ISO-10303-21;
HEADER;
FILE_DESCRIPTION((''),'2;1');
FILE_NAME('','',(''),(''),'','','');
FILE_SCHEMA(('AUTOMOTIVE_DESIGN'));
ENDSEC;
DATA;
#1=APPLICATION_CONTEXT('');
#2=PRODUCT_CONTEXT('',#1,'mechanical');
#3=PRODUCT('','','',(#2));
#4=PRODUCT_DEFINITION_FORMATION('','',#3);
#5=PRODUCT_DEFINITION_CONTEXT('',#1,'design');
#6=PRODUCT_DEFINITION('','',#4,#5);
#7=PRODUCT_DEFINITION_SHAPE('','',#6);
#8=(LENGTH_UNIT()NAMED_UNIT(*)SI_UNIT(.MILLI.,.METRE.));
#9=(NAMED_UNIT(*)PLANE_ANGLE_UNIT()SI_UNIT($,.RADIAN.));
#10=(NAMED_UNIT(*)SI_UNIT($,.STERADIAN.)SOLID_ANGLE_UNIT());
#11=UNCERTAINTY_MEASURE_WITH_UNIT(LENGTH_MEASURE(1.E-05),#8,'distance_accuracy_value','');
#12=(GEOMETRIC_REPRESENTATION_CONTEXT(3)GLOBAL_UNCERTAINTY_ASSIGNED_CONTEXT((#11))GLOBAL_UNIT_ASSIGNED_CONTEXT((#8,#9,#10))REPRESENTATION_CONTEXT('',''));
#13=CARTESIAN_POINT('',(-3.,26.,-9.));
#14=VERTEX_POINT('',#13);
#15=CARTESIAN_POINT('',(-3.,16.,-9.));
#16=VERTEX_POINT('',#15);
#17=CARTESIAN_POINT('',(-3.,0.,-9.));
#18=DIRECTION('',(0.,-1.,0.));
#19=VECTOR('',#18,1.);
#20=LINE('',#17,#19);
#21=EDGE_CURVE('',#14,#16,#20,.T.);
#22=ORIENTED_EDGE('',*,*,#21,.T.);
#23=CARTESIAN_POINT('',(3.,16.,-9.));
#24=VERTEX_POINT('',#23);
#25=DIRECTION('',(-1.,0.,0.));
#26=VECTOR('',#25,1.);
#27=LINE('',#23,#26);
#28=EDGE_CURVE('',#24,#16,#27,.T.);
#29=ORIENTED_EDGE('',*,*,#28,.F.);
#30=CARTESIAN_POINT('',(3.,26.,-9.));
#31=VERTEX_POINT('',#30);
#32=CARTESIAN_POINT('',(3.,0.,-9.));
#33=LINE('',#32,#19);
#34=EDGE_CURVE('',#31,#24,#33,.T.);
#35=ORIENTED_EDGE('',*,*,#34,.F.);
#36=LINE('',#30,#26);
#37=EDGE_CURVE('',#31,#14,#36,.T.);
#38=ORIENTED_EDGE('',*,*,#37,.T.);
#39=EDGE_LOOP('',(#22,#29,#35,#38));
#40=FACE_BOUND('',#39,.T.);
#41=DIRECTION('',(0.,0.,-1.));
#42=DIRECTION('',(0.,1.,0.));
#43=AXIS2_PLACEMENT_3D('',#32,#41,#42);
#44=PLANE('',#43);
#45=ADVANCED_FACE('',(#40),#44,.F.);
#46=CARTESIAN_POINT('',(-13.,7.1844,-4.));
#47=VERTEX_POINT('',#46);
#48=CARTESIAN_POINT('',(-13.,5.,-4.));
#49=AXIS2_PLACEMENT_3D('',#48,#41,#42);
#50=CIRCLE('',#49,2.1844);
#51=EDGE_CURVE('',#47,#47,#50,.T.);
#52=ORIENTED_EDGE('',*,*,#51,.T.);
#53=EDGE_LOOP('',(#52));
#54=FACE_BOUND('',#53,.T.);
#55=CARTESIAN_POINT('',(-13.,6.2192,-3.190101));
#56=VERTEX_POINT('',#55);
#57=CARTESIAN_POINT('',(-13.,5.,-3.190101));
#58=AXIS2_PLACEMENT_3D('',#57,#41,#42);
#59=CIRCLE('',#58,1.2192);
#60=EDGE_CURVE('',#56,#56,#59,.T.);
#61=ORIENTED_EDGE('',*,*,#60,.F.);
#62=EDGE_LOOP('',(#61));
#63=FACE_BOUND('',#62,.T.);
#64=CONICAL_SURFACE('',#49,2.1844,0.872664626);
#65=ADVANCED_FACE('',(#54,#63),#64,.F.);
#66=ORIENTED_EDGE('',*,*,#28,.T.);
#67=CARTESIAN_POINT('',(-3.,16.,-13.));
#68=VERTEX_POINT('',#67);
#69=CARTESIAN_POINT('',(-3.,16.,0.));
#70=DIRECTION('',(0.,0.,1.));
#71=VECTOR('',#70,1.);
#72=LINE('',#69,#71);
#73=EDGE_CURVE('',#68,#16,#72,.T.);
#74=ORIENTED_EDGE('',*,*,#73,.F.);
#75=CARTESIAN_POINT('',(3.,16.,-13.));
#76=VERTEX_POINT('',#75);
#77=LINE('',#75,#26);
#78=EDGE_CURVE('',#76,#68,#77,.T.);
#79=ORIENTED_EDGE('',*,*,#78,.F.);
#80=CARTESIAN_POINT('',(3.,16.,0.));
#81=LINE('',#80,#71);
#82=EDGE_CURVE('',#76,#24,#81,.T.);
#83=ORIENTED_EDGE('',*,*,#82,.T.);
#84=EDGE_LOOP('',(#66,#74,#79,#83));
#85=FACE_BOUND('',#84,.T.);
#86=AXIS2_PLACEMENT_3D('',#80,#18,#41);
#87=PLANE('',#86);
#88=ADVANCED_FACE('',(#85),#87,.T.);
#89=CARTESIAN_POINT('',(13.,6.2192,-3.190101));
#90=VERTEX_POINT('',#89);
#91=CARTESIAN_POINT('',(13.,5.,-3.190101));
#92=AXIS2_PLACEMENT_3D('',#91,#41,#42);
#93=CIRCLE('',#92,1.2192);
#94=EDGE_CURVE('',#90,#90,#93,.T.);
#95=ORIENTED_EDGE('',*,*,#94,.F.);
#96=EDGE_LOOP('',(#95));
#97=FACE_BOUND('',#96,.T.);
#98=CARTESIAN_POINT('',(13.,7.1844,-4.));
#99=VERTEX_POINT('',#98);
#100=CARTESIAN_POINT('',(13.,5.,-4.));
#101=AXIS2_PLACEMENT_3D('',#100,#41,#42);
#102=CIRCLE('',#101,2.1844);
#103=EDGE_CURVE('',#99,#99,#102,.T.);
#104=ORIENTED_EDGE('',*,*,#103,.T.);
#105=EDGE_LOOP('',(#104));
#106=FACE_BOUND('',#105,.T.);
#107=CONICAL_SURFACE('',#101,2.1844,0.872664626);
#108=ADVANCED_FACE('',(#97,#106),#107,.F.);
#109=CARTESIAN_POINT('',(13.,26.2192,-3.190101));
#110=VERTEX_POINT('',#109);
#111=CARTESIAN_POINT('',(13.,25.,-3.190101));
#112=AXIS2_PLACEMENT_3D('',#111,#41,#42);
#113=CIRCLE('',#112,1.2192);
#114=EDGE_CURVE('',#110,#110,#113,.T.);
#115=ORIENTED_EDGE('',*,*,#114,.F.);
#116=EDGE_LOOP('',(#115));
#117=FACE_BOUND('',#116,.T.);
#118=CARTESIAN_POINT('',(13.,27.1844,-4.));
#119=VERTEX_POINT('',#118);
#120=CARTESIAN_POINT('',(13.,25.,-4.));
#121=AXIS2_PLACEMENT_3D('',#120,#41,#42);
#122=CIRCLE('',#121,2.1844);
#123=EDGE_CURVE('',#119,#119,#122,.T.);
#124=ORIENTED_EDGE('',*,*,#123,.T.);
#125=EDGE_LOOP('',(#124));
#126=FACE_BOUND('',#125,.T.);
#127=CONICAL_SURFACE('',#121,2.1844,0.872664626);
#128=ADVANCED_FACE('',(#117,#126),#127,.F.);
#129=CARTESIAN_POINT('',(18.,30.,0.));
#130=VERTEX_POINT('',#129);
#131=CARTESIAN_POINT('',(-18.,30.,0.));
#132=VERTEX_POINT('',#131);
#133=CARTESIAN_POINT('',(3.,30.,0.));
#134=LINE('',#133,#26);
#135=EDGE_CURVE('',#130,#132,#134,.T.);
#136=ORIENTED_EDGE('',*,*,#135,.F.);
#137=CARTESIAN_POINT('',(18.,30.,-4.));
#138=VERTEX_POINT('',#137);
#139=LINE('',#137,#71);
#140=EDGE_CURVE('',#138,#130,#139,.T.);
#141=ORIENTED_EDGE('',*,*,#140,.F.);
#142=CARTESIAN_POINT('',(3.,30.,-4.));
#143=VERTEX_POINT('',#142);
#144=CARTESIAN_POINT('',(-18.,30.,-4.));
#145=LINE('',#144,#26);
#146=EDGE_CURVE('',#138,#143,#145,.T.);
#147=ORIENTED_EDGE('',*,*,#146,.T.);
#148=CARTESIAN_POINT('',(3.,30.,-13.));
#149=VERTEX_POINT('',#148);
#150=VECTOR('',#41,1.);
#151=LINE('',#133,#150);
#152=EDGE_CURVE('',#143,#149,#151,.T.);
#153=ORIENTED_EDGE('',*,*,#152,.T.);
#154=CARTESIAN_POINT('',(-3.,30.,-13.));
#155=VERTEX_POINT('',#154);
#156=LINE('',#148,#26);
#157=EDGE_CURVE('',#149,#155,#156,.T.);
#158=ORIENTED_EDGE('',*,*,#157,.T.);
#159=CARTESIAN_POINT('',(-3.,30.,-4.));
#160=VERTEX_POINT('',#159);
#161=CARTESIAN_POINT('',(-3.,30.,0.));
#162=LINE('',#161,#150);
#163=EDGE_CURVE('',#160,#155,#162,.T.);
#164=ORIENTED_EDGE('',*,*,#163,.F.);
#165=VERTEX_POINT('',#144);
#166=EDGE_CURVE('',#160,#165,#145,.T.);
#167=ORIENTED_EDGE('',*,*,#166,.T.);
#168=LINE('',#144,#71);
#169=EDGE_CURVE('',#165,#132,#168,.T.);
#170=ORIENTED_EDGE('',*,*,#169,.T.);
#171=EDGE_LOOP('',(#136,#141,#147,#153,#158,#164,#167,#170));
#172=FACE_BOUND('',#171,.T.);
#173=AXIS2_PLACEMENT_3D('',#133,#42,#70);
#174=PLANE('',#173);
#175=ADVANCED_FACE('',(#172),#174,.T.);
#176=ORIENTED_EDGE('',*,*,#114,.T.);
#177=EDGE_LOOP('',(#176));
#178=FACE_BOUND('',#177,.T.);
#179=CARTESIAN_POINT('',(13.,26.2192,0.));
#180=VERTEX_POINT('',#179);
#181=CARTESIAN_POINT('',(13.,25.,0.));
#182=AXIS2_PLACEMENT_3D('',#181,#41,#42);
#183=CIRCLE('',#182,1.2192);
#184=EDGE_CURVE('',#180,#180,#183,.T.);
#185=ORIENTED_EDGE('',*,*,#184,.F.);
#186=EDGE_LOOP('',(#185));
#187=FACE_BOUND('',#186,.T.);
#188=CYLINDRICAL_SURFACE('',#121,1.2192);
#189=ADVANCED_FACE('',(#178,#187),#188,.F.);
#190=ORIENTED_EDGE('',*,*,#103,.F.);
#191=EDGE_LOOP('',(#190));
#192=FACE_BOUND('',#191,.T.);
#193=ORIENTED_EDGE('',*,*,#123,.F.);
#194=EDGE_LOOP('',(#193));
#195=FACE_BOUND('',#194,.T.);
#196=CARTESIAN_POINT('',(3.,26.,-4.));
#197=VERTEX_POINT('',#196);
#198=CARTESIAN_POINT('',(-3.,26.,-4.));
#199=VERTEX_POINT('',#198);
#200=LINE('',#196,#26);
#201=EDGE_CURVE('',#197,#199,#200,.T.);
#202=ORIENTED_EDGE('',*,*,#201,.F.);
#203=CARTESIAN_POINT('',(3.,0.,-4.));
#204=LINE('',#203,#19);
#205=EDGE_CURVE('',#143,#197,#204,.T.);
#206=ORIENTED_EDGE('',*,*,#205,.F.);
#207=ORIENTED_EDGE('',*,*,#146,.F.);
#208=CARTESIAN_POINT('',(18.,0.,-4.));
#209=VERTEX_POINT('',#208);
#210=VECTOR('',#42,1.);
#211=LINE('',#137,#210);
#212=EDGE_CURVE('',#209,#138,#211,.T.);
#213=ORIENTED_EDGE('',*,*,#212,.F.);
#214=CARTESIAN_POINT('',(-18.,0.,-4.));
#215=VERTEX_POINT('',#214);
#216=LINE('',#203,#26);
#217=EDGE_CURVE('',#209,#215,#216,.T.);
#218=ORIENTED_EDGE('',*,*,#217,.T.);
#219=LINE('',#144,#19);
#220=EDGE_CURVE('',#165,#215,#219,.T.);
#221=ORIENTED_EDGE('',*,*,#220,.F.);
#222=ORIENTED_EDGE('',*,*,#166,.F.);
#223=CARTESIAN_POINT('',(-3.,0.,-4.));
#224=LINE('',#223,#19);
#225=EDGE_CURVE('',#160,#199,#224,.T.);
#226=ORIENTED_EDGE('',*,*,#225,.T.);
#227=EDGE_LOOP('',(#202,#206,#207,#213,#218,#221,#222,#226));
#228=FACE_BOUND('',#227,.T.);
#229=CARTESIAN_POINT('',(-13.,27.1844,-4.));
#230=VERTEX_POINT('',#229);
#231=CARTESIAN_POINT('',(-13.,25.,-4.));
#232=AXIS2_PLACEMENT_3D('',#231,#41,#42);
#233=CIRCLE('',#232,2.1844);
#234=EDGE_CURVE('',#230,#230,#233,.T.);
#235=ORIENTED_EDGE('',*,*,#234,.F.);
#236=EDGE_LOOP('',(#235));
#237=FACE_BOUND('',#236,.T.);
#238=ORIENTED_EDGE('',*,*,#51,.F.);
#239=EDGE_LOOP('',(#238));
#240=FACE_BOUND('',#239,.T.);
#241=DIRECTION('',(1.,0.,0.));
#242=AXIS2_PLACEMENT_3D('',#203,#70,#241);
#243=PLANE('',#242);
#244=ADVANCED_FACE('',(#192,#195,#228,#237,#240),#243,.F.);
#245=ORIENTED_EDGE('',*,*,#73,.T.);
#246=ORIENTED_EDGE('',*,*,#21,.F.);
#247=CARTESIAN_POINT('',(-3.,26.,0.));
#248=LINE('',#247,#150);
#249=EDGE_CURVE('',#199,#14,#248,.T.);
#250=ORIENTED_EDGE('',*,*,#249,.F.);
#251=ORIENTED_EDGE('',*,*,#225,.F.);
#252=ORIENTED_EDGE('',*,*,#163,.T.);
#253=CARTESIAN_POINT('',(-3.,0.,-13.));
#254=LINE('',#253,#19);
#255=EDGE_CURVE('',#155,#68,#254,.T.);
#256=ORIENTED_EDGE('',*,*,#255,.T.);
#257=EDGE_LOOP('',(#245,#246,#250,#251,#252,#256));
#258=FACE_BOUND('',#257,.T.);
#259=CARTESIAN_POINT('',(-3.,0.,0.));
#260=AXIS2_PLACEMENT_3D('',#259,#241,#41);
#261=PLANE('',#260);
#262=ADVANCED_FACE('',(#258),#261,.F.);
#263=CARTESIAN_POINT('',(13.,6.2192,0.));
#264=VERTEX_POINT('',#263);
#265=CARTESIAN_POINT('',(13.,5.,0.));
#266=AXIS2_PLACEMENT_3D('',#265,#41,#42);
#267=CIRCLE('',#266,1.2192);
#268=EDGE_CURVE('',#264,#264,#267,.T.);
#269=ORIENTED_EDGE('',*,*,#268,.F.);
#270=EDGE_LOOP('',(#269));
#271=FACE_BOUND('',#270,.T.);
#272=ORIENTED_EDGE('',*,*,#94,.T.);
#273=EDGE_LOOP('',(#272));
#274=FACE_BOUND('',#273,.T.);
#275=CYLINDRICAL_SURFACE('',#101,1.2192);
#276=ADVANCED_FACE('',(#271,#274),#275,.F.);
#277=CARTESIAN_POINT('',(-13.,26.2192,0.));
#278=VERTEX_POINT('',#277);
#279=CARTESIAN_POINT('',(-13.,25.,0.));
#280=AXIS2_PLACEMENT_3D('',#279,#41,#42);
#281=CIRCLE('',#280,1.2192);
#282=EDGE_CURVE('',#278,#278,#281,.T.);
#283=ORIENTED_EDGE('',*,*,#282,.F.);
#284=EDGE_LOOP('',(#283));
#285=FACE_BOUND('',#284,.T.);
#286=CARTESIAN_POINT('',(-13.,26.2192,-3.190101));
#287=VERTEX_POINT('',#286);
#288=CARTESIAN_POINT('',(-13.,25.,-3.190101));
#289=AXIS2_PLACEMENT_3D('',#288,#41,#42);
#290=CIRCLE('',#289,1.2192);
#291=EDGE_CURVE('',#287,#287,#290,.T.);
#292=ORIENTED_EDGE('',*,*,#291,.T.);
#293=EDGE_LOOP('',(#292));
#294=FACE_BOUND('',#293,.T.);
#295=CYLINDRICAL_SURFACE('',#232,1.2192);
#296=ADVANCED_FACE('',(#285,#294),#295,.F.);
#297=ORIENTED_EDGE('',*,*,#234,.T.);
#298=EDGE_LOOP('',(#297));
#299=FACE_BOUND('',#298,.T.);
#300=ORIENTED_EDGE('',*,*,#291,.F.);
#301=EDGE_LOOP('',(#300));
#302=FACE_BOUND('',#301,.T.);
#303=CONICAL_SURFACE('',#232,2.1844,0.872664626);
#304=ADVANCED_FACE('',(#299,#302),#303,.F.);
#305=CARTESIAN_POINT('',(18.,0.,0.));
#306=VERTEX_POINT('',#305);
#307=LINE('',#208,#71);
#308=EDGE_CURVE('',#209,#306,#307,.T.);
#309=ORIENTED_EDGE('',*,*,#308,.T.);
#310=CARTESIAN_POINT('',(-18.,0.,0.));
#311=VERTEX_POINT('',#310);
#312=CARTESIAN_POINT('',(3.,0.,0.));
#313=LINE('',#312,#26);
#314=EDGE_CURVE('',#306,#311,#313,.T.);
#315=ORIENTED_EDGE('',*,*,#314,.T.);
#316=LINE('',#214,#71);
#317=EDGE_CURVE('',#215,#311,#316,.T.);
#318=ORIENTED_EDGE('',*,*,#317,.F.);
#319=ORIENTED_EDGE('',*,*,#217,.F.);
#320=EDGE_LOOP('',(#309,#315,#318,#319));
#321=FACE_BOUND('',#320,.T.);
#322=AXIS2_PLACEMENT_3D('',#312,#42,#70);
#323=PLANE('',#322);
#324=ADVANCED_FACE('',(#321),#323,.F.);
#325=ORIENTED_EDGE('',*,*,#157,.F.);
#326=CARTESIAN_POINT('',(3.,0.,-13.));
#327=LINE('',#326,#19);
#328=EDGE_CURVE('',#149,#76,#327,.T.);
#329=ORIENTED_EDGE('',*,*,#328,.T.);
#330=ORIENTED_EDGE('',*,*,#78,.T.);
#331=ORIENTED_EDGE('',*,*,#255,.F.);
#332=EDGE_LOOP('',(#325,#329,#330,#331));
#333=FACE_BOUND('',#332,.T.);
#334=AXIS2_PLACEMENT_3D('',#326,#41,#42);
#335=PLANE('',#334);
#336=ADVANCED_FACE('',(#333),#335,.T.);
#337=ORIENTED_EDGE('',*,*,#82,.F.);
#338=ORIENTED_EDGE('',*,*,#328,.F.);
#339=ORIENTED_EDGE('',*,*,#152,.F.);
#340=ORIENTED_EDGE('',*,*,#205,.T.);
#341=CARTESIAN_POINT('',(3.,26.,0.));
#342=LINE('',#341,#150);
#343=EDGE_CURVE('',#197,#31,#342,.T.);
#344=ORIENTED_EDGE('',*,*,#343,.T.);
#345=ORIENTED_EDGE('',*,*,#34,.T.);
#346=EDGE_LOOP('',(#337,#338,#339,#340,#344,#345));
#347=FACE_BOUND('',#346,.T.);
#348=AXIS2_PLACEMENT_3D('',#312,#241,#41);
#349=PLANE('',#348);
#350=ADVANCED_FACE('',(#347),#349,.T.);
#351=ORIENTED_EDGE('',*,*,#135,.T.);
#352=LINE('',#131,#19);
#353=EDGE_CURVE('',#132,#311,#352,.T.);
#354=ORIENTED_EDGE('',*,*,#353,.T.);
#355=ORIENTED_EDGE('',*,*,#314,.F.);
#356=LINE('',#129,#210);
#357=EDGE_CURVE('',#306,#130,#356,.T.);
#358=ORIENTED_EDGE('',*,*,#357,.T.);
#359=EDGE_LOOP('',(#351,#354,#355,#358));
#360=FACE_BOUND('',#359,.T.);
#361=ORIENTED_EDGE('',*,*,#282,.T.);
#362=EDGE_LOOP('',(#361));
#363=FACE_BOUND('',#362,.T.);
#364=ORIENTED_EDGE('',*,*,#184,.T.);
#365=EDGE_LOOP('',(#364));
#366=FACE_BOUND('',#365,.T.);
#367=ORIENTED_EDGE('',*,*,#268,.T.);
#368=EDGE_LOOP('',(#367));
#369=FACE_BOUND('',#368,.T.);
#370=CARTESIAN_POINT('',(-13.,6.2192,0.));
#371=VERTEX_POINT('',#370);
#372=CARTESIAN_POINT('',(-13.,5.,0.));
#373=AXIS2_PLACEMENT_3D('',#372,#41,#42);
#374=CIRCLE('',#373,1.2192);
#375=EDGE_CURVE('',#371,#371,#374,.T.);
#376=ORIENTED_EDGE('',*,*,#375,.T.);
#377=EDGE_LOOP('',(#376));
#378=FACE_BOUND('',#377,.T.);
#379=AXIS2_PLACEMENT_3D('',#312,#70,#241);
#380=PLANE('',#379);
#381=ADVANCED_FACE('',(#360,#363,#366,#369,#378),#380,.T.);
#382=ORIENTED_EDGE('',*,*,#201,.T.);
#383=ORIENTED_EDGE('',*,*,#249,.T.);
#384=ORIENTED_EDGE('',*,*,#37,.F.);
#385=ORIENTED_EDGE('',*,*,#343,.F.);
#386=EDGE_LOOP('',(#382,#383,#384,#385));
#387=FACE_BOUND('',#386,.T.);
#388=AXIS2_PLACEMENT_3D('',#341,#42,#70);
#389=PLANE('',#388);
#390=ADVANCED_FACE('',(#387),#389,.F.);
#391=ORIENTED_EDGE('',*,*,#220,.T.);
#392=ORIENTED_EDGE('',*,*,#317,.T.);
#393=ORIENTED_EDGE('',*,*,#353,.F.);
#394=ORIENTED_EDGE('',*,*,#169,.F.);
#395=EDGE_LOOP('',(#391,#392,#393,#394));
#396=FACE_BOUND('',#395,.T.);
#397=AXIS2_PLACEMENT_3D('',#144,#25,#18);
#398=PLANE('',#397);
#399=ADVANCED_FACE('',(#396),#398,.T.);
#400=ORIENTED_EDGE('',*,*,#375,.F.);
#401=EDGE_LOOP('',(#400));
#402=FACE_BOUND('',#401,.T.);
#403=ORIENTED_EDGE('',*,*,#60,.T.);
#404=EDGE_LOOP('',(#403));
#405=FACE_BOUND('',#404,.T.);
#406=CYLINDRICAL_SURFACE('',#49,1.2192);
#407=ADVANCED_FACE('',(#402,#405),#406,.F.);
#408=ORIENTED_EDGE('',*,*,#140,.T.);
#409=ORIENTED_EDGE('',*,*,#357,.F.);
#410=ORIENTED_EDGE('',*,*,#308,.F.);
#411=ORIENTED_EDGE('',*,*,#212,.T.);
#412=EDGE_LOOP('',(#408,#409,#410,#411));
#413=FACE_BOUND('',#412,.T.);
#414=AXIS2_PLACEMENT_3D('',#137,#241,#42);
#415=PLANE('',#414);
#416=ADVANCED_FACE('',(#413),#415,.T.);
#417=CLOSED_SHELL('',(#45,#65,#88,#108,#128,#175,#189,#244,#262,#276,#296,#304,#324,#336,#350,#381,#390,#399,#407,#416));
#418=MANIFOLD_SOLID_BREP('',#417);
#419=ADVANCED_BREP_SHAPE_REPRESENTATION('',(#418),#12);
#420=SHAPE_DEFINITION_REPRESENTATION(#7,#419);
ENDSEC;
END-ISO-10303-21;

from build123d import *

# Parameters (mm, degrees)
BOSS_EXTRUDE1_DEPTH                               = 3
SKETCH2_W                                         = 36
SKETCH2_H                                         = 30
BOSS_EXTRUDE2_DEPTH                               = 4
CSK_FOR_2_FLAT_HEAD_MACHINE_SCREW_100_D           = 2.4384
CSK_FOR_2_FLAT_HEAD_MACHINE_SCREW_100_CSINK_D     = 4.3688
CSK_FOR_2_FLAT_HEAD_MACHINE_SCREW_100_CSINK_ANGLE = 100


with BuildPart() as part:
    # Sketch1 → Boss-Extrude1 (new body, symmetric)
    with BuildSketch(Plane(origin=(0, 0, 0), x_dir=(0, 0, -1), z_dir=(1, 0, 0))):
        Polygon((4, 26), (9, 26), (9, 16), (13, 16), (13, 30), (0, 30), (0, 0), (4, 0), align=None)
    extrude(amount=BOSS_EXTRUDE1_DEPTH, both=True)

    # Sketch2 → Boss-Extrude2 (add)
    with BuildSketch(Plane.XY):
        with Locations((0, 15)):
            Rectangle(SKETCH2_W, SKETCH2_H)
    extrude(amount=-BOSS_EXTRUDE2_DEPTH)

    # CSK for #2 Flat Head Machine Screw (100)1 (through all)
    with Locations(Plane(origin=(0, 0, -4), x_dir=(-1, 0, 0), z_dir=(0, 0, -1))):
        with Locations((-13, 25), (-13, 5), (13, 5), (13, 25)):
            CounterSinkHole(CSK_FOR_2_FLAT_HEAD_MACHINE_SCREW_100_D / 2, CSK_FOR_2_FLAT_HEAD_MACHINE_SCREW_100_CSINK_D / 2, counter_sink_angle=CSK_FOR_2_FLAT_HEAD_MACHINE_SCREW_100_CSINK_ANGLE)


solid = part.part
